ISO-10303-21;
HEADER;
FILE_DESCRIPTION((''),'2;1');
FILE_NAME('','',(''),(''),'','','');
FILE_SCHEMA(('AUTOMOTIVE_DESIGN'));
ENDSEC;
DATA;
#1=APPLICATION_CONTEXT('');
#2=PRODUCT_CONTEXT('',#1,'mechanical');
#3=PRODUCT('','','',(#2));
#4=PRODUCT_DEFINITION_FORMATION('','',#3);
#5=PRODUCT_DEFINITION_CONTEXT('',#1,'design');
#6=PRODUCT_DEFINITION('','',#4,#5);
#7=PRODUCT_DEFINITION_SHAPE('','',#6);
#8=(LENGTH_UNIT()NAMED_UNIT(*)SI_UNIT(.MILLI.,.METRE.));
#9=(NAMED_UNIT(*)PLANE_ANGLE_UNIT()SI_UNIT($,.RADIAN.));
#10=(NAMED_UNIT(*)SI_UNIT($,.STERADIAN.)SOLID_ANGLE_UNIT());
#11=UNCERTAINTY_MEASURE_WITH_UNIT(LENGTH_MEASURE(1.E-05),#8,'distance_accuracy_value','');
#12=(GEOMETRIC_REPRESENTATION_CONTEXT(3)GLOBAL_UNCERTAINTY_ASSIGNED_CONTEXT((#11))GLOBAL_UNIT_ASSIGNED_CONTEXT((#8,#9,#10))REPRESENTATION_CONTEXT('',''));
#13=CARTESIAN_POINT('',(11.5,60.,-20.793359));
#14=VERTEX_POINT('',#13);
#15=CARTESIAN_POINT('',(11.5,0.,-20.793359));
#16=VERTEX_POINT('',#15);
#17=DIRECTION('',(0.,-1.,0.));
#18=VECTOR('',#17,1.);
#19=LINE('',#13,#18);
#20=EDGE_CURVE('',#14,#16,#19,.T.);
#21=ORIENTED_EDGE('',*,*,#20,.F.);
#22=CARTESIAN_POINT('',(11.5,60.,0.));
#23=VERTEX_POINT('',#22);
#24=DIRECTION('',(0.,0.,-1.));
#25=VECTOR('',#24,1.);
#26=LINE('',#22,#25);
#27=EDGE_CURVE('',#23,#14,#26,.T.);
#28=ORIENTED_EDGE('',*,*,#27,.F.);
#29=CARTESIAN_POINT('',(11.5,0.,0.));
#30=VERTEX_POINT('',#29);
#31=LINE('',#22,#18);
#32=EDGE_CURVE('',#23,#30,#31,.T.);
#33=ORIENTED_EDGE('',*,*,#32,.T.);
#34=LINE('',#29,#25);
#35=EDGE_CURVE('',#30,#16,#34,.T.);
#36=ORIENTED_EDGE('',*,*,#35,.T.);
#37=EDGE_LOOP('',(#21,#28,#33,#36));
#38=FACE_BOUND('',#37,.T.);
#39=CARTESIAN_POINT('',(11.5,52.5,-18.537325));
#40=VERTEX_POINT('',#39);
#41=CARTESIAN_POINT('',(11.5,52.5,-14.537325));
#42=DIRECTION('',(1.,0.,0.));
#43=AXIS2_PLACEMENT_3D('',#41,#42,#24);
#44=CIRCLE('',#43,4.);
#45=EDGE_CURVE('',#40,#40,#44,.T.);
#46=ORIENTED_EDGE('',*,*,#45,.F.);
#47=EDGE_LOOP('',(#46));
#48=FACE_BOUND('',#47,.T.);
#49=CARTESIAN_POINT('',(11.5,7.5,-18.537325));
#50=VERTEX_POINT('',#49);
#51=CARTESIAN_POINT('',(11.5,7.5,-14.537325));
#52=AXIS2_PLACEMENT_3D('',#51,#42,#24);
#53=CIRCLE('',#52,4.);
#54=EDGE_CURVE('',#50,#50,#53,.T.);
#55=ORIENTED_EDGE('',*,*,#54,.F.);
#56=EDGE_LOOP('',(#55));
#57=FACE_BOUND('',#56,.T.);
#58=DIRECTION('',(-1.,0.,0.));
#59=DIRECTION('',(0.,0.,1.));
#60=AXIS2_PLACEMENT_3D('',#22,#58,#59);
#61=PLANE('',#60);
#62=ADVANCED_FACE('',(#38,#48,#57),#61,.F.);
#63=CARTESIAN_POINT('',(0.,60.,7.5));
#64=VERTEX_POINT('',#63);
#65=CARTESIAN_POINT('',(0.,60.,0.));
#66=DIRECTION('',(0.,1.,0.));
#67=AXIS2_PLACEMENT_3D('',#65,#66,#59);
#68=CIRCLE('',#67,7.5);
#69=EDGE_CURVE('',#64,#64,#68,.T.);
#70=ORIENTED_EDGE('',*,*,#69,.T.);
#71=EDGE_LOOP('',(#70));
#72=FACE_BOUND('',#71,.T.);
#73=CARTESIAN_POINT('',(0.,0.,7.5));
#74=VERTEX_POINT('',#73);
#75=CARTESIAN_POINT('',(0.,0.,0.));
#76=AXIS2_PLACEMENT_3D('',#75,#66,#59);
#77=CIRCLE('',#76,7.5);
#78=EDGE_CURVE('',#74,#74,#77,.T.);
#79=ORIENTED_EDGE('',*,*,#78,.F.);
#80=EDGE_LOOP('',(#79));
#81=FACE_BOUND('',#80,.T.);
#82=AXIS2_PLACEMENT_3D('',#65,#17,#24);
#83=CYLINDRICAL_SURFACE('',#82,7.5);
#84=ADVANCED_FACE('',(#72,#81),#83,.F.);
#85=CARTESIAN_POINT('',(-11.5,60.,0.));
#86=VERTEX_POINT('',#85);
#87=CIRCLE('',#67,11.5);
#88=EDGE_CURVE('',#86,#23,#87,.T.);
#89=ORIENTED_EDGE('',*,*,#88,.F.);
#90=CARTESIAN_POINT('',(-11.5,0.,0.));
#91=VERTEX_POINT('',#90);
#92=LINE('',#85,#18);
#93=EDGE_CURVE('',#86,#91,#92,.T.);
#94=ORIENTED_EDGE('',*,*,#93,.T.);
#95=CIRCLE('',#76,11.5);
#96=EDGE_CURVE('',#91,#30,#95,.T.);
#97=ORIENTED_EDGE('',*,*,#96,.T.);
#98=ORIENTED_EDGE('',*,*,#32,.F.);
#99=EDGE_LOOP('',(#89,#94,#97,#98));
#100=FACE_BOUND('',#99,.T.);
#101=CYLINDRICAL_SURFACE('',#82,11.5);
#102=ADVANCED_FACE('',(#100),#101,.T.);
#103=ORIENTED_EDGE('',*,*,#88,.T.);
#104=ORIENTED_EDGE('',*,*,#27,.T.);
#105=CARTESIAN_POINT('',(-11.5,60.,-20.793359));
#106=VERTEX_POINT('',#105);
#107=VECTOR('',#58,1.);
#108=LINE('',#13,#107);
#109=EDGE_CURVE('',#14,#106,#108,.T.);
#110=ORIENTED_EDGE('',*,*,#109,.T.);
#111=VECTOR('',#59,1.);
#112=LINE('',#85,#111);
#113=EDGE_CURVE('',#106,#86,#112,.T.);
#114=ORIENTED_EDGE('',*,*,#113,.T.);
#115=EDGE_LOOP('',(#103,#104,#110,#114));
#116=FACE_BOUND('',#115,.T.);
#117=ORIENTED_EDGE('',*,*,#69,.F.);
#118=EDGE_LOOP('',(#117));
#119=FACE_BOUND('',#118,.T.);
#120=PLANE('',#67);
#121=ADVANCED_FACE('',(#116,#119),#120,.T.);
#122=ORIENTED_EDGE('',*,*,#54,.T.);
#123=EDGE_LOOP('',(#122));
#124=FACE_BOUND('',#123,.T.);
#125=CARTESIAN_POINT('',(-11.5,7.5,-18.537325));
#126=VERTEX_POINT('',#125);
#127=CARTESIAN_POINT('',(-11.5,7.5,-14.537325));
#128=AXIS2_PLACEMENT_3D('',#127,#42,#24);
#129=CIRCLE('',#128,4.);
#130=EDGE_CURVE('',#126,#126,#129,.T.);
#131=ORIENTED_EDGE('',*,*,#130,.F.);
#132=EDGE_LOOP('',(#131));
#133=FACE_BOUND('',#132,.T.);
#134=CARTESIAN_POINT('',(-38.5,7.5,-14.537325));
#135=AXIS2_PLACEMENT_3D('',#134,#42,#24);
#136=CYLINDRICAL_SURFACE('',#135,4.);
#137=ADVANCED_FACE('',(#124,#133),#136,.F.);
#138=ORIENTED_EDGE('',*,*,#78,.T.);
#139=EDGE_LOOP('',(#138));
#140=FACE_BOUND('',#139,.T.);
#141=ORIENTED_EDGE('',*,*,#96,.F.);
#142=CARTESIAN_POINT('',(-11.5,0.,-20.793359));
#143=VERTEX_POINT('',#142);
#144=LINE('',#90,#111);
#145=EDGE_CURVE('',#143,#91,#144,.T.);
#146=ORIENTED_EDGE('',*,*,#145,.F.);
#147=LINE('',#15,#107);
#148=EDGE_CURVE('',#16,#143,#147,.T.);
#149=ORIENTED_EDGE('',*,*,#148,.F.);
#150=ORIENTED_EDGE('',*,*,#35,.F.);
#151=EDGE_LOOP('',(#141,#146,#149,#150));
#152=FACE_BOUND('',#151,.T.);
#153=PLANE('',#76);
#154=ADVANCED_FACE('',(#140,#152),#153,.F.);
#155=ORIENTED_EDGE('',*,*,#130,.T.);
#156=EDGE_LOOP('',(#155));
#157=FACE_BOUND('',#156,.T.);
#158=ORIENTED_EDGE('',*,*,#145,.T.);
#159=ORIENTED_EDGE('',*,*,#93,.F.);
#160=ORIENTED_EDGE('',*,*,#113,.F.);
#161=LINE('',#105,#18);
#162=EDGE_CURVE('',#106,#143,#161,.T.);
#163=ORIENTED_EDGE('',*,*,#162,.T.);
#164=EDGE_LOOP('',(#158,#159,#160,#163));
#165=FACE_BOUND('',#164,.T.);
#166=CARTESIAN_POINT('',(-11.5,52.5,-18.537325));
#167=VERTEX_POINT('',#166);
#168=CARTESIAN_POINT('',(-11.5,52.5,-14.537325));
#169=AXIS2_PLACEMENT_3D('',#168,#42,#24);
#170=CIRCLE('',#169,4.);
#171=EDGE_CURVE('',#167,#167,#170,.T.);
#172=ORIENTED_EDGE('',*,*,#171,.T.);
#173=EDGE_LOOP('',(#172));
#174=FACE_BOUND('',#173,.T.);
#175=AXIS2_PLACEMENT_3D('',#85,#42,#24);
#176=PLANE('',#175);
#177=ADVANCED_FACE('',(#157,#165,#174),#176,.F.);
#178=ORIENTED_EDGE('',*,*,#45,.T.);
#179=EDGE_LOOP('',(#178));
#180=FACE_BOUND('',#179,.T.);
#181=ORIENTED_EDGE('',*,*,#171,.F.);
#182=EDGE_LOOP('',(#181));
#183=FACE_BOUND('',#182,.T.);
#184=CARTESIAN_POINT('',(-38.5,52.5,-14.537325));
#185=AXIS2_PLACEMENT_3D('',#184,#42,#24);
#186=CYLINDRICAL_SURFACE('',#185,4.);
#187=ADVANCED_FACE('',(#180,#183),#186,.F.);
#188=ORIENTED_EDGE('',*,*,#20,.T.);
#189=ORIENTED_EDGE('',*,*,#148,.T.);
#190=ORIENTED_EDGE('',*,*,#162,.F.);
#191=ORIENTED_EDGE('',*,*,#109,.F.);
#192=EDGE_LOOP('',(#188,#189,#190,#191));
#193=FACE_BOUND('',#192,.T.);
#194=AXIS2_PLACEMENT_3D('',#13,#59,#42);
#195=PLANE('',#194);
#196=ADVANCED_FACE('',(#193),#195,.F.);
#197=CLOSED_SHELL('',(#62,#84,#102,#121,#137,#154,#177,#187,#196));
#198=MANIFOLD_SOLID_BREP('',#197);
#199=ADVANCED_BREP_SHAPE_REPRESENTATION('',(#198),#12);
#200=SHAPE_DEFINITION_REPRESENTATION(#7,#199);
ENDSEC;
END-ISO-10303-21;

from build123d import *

# Parameters (mm, degrees)
SKETCH1_R           = 7.5
BOSS_EXTRUDE1_DEPTH = 60
SKETCH2_R           = 4
CUT_EXTRUDE1_DEPTH  = 50


with BuildPart() as part:
    # Sketch1 → Boss-Extrude1 (new body)
    with BuildSketch(Plane(origin=(0, 0, 0), x_dir=(1, 0, 0), z_dir=(0, 1, 0))):
        with BuildLine():
            Line((-11.5, 0), (-11.5, 20.793359223))
            Line((-11.5, 20.793359223), (11.5, 20.793359223))
            Line((11.5, 20.793359223), (11.5, 0))
            ThreePointArc((11.5, 0), (0, -11.5), (-11.5, 0))
        make_face()
        with Locations(Location((0, 0, 0), (0, 0, 270))):
            Circle(SKETCH1_R, mode=Mode.SUBTRACT)
    extrude(amount=BOSS_EXTRUDE1_DEPTH)

    # Sketch2 → Cut-Extrude1 (cut)
    with BuildSketch(Plane(origin=(11.5, 0, 0), x_dir=(0, 0, -1), z_dir=(1, 0, 0))):
        with Locations((14.537325079, 52.5)):
            Circle(SKETCH2_R)
        with Locations((14.537325079, 7.5)):
            Circle(SKETCH2_R)
    extrude(amount=-CUT_EXTRUDE1_DEPTH, mode=Mode.SUBTRACT)


solid = part.part
